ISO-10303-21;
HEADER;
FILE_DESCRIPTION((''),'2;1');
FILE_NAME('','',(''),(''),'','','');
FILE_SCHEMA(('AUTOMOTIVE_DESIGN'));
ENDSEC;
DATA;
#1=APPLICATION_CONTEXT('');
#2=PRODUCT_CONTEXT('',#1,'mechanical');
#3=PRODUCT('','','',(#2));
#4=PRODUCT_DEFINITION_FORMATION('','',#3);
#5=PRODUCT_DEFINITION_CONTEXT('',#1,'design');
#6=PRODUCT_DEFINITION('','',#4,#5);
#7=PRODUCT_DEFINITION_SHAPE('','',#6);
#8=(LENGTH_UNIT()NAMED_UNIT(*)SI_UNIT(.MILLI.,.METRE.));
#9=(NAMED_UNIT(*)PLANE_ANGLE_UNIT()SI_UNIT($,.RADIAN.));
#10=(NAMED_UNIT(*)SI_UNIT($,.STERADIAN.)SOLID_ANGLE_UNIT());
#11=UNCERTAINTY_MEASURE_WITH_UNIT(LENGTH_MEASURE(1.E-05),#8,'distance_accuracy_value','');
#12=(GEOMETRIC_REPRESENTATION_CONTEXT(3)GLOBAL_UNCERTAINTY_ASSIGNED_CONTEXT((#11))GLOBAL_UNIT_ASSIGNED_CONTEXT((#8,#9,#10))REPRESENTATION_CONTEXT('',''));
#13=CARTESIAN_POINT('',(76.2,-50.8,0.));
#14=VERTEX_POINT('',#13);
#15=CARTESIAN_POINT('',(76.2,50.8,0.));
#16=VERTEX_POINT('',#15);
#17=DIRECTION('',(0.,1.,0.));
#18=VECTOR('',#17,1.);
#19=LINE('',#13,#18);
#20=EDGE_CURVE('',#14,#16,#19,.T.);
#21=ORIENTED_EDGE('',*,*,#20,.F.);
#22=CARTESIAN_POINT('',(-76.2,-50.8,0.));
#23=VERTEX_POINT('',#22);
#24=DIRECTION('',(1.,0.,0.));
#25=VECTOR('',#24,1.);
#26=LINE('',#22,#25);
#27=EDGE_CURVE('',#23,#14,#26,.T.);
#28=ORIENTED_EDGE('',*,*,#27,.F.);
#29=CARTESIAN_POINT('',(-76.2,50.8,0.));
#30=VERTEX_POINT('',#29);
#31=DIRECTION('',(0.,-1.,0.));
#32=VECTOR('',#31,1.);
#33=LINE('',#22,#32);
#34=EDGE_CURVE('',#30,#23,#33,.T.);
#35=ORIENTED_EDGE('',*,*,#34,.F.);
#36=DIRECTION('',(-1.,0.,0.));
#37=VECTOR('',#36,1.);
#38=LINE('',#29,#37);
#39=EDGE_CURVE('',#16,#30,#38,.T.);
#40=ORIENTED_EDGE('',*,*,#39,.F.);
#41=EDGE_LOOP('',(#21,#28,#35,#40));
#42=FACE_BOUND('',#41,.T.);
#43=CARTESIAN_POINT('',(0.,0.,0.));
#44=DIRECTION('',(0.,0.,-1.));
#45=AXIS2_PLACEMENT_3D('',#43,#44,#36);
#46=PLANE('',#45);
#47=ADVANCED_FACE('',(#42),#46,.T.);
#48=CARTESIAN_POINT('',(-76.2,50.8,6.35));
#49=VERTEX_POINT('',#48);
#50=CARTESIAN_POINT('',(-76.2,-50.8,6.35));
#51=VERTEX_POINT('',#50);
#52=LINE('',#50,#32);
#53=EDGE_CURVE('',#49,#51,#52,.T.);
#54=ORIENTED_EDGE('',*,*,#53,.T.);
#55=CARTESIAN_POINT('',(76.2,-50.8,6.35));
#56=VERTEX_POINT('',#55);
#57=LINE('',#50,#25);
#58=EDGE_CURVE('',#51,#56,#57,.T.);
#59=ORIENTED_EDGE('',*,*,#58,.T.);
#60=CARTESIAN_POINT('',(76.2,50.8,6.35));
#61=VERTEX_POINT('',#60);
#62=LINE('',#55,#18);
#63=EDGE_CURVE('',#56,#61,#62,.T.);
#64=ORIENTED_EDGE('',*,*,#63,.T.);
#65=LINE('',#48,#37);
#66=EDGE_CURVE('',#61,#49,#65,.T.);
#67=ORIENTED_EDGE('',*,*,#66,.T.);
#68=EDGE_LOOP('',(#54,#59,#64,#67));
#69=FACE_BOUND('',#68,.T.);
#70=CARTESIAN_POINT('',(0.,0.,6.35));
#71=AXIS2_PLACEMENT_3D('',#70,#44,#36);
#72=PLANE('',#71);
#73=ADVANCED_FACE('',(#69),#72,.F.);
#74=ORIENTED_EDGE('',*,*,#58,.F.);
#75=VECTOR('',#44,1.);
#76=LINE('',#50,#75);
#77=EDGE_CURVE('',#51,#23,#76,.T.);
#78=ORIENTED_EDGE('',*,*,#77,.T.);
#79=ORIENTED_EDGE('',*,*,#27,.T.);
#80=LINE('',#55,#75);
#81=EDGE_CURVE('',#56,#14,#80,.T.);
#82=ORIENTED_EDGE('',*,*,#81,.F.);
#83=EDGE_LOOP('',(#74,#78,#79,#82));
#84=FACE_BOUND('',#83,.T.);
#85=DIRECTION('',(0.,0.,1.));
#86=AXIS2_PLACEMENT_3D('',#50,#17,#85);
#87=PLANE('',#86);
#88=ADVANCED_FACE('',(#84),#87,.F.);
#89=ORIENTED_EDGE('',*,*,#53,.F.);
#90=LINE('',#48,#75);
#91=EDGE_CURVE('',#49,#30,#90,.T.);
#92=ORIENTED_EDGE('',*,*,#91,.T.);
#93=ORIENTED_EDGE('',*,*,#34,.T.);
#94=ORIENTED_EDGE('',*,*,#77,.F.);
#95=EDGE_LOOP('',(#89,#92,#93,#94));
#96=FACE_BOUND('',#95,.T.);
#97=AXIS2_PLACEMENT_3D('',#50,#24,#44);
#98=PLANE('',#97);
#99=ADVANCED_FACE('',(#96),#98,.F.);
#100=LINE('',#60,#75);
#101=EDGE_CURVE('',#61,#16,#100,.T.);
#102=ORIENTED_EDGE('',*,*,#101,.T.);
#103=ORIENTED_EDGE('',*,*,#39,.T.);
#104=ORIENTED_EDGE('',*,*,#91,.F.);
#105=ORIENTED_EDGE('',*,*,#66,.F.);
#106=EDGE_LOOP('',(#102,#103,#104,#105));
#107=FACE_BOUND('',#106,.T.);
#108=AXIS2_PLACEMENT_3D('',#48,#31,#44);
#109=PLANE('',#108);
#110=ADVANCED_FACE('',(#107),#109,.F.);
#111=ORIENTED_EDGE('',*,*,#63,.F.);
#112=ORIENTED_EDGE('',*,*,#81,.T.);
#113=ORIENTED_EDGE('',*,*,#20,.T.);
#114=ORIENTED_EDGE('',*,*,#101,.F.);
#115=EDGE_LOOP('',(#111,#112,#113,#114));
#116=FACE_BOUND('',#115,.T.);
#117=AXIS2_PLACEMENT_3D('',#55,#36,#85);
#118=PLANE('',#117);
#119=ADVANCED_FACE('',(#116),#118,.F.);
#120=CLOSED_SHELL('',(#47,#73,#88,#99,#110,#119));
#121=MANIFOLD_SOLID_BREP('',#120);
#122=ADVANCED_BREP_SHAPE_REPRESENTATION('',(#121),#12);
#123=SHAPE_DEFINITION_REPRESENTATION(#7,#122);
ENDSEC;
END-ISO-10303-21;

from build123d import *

# Parameters (mm, degrees)
SKETCH1_W           = 152.4
SKETCH1_H           = 101.6
BOSS_EXTRUDE1_DEPTH = 6.35


with BuildPart() as part:
    # Sketch1 → Boss-Extrude1 (new body)
    with BuildSketch(Plane.XY):
        Rectangle(SKETCH1_W, SKETCH1_H)
    extrude(amount=BOSS_EXTRUDE1_DEPTH)


solid = part.part
